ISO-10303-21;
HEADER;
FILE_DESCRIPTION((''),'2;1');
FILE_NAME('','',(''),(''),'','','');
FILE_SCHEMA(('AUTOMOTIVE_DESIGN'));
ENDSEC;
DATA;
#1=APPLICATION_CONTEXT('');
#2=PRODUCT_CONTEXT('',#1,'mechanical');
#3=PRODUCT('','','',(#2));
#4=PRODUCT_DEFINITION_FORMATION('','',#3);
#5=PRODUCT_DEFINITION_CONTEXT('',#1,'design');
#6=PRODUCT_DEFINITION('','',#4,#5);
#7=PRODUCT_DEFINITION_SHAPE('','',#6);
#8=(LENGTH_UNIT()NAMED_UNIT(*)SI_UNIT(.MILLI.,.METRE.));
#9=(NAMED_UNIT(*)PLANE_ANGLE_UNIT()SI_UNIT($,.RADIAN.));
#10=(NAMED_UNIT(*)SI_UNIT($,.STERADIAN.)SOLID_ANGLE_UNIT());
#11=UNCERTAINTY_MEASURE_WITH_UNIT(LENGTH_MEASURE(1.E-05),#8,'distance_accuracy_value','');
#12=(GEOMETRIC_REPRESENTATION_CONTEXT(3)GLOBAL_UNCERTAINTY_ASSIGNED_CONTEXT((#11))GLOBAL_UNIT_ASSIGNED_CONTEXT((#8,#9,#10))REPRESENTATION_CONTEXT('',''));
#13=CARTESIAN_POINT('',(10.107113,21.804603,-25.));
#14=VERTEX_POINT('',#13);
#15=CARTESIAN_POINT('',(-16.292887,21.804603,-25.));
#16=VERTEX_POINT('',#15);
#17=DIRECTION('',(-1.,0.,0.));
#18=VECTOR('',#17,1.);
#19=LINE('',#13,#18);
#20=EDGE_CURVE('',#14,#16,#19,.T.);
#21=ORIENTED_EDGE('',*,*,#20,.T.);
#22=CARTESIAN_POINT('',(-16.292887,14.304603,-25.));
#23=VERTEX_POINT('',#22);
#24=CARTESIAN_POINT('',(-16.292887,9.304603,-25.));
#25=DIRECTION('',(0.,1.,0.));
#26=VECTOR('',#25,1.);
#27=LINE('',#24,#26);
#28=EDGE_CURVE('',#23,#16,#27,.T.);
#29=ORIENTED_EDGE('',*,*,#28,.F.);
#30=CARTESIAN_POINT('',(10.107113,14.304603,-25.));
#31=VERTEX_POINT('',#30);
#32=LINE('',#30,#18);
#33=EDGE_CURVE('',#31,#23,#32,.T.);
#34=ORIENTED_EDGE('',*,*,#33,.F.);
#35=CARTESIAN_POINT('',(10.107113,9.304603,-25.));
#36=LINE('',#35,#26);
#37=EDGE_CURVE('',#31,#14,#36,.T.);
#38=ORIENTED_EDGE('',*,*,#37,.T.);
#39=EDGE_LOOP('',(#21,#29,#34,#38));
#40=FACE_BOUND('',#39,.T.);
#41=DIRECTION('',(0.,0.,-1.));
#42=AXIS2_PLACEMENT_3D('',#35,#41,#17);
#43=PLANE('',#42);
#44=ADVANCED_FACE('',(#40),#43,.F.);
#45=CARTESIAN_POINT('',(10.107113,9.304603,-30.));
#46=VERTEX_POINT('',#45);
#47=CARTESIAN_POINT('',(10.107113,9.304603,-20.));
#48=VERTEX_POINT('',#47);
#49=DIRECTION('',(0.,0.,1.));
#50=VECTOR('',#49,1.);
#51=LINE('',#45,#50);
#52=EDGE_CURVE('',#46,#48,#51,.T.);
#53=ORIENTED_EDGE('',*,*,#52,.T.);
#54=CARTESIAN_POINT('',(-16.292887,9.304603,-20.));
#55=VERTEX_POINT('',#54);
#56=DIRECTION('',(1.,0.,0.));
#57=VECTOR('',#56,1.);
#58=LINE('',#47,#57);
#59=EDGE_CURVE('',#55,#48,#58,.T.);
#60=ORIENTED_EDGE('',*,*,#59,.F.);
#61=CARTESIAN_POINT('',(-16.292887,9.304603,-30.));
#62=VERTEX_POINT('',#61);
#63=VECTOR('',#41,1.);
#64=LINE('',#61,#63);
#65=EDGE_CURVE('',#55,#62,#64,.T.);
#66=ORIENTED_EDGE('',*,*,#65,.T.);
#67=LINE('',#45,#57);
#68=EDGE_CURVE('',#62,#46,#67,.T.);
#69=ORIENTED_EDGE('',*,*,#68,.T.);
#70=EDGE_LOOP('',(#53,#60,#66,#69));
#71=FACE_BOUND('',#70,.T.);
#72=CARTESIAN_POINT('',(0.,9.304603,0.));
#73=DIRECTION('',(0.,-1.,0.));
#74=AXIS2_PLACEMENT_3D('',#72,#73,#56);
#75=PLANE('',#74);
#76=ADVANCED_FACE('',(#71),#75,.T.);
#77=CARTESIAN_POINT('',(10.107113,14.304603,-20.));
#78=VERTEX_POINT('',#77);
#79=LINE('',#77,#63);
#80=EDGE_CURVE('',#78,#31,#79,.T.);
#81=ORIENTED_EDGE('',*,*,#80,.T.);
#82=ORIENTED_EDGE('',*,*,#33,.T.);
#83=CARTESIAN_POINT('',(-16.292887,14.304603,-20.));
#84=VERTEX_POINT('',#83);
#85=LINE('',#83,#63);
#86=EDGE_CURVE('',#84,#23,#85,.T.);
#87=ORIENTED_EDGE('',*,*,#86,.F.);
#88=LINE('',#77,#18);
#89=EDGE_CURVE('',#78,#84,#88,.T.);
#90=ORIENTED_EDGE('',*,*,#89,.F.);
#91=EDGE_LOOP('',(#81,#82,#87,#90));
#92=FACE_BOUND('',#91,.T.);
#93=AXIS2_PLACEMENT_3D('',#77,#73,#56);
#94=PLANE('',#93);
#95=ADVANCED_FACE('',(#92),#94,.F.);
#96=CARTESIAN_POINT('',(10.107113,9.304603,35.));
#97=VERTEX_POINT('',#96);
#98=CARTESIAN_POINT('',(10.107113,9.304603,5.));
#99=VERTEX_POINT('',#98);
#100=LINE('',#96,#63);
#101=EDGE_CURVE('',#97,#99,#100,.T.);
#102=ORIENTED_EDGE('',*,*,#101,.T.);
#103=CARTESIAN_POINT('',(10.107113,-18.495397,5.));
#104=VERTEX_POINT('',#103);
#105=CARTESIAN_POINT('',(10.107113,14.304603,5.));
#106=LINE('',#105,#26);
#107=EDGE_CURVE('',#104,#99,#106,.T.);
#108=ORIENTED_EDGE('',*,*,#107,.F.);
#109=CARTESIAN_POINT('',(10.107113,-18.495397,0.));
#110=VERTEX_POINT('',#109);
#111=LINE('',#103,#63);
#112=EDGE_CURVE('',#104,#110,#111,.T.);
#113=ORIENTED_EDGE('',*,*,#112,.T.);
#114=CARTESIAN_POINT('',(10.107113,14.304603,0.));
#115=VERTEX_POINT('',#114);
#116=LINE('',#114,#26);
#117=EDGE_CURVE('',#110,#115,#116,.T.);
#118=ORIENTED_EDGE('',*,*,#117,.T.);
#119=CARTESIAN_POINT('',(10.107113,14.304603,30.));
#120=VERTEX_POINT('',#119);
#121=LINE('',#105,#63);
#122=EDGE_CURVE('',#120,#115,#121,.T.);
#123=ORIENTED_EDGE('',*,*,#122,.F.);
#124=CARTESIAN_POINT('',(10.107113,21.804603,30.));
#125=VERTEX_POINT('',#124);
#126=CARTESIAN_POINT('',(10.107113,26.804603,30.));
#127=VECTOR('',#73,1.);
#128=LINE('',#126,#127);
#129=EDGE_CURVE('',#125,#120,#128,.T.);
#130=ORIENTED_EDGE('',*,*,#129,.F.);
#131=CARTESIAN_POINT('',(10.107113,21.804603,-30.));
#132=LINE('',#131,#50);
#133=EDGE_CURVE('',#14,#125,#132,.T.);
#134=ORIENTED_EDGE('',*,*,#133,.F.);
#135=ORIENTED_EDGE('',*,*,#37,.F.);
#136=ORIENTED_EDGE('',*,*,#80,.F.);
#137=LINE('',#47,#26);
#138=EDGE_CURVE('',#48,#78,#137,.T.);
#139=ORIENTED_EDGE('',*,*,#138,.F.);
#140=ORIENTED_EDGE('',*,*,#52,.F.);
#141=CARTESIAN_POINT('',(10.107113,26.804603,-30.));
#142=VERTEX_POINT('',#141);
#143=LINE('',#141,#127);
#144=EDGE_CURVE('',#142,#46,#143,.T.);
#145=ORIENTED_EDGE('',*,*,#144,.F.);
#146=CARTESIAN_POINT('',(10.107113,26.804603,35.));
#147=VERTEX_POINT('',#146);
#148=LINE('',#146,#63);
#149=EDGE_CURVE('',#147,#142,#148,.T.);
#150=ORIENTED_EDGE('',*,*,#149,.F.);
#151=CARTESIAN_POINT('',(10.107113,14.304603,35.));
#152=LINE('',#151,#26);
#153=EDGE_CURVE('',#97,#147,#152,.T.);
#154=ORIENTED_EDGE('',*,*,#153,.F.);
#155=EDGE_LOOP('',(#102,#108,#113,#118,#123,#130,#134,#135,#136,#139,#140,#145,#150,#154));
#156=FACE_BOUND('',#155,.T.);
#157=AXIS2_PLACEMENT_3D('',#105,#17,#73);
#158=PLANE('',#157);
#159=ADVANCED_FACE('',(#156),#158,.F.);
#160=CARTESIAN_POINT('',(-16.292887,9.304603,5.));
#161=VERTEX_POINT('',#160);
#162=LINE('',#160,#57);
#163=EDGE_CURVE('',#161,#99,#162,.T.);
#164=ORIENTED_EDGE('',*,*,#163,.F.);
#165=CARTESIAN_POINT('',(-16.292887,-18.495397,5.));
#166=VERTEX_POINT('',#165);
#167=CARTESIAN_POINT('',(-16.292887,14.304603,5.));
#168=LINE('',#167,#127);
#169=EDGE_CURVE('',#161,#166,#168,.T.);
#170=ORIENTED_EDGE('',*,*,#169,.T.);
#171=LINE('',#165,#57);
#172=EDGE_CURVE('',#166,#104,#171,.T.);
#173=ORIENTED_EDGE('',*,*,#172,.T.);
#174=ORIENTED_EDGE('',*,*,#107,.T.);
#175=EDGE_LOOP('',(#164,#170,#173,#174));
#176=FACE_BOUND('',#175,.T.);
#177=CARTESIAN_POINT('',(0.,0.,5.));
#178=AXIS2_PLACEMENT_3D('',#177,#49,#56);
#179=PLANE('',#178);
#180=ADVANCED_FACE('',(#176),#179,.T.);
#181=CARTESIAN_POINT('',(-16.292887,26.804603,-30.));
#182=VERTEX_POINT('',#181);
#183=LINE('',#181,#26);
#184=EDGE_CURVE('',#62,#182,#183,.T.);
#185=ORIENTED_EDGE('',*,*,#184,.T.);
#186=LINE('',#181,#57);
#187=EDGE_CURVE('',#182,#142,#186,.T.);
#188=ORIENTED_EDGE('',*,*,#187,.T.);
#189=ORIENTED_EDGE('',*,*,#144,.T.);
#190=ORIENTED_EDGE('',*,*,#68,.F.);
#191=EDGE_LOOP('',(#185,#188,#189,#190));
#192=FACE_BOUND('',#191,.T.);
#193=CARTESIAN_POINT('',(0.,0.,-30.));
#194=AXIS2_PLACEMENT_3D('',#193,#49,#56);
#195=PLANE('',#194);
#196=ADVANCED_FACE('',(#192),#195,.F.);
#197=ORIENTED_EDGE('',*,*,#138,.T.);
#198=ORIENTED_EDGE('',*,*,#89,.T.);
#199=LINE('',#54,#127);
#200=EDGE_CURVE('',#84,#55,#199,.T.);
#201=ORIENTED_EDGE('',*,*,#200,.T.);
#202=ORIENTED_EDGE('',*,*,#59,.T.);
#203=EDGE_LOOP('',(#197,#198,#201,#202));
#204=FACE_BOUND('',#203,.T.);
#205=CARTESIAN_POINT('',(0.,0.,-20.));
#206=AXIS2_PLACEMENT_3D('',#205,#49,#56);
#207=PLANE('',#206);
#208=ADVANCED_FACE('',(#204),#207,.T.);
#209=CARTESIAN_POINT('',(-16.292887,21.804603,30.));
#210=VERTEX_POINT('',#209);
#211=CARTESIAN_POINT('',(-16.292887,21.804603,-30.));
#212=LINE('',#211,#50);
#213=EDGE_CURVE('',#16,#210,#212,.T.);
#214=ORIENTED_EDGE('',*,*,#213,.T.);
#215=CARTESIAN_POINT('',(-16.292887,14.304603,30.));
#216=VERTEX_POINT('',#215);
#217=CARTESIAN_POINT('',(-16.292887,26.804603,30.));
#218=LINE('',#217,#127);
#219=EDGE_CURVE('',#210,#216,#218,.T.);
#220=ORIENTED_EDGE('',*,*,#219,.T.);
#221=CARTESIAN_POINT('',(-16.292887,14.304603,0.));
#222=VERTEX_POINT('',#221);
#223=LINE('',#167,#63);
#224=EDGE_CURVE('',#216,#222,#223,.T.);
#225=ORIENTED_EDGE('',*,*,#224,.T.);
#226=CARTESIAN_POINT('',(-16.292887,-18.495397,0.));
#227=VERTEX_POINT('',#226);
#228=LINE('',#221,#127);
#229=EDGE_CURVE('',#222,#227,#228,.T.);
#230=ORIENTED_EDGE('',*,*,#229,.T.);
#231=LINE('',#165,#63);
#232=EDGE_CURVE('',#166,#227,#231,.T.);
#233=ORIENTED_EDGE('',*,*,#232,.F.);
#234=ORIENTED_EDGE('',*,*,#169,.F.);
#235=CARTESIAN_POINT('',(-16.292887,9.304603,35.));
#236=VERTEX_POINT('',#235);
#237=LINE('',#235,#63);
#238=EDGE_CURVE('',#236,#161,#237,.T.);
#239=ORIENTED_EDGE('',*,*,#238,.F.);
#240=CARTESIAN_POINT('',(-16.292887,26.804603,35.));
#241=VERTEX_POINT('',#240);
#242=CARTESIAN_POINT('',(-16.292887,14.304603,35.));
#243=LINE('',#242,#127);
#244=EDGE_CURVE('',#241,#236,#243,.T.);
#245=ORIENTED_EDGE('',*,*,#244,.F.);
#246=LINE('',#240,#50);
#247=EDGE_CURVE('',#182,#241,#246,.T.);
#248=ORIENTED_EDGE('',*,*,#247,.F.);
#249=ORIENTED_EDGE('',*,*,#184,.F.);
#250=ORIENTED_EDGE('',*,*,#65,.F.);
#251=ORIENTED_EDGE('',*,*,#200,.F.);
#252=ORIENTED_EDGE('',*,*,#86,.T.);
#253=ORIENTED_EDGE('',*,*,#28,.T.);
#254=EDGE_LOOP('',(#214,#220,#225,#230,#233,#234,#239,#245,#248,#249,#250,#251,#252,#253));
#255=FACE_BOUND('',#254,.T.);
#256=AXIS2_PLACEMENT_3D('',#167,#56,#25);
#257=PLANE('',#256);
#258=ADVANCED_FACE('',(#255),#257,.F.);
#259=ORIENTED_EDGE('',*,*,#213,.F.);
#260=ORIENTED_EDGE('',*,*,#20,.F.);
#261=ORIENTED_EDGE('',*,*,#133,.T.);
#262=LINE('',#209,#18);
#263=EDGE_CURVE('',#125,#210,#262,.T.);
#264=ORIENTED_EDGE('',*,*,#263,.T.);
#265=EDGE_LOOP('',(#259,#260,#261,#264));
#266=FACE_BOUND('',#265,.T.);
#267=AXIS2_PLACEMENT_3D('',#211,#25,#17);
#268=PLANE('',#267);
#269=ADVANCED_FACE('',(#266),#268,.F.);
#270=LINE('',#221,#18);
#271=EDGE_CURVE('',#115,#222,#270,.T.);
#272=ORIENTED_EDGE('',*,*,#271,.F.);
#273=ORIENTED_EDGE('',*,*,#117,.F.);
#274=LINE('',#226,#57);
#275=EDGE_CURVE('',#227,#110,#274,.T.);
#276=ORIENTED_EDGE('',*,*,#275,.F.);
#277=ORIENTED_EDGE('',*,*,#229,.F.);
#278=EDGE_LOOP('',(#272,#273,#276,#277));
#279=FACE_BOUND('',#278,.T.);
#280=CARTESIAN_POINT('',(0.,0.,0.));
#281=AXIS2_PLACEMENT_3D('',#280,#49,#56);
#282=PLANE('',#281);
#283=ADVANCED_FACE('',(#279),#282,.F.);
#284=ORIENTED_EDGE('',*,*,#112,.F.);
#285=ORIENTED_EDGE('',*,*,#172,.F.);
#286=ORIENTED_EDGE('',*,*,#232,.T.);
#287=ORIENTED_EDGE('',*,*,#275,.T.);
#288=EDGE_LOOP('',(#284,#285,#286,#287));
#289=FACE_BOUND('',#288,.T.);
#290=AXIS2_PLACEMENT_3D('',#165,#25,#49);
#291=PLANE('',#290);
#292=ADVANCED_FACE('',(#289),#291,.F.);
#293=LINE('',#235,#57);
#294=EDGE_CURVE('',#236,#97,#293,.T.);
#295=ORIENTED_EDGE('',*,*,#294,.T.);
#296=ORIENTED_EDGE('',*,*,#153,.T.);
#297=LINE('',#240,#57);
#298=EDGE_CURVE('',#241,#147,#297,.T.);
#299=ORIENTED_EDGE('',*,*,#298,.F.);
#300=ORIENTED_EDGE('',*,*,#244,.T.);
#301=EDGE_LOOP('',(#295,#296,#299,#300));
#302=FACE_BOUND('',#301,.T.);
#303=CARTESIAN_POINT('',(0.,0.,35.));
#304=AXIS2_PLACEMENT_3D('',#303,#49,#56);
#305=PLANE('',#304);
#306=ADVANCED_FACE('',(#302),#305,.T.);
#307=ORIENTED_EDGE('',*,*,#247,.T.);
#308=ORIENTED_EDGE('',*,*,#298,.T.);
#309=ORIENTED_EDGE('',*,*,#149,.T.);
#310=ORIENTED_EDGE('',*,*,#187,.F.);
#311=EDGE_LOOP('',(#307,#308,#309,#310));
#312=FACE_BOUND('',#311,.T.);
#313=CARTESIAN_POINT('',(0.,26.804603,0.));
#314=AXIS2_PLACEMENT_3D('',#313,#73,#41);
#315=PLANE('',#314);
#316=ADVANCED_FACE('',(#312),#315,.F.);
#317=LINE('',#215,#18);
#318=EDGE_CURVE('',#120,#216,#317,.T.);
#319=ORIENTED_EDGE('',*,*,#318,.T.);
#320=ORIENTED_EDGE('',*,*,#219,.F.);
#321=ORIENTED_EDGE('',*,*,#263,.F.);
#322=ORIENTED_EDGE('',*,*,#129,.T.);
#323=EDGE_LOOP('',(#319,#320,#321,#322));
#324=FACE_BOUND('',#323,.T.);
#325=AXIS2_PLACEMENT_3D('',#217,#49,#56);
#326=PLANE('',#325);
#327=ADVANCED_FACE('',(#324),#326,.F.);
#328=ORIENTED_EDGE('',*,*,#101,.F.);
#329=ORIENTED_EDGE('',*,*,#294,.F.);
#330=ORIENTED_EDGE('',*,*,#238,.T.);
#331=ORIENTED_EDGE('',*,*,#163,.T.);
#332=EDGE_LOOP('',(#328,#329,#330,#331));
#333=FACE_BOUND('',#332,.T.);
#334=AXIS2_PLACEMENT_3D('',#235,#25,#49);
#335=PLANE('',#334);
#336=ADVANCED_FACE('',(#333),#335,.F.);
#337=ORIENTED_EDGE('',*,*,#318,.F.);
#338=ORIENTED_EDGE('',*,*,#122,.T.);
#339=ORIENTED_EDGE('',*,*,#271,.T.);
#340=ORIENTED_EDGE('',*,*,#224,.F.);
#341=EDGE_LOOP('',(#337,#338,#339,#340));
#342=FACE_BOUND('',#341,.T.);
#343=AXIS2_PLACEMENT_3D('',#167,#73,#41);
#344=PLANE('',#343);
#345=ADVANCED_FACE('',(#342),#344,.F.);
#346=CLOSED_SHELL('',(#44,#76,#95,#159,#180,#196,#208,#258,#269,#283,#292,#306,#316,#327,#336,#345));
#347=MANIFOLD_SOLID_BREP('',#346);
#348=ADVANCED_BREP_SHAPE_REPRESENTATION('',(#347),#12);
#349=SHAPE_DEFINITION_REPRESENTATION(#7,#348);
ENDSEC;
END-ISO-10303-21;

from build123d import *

# Parameters (mm, degrees)
SKETCH1_W           = 26.4
SKETCH1_H           = 32.8
BOSS_EXTRUDE1_DEPTH = 5
SKETCH2_W           = 26.4
SKETCH2_H           = 5
BOSS_EXTRUDE2_DEPTH = 30
SKETCH3_W           = 26.4
SKETCH3_H           = 5
BOSS_EXTRUDE3_DEPTH = 12.5
SKETCH4_W           = 26.4
SKETCH4_H           = 5
BOSS_EXTRUDE4_DEPTH = 60
SKETCH5_W           = 26.4
SKETCH5_H           = 5
BOSS_EXTRUDE5_DEPTH = 12.5
SKETCH6_W           = 26.4
SKETCH6_H           = 5
BOSS_EXTRUDE8_DEPTH = 5


with BuildPart() as part:
    # Sketch1 → Boss-Extrude1 (new body)
    with BuildSketch(Plane.XY):
        with Locations((-3.092887029, -2.09539749)):
            Rectangle(SKETCH1_W, SKETCH1_H)
    extrude(amount=BOSS_EXTRUDE1_DEPTH)

    # Sketch2 → Boss-Extrude2 (add)
    with BuildSketch(Plane.XY.offset(5)):
        with Locations((-3.092887029, 11.80460251)):
            Rectangle(SKETCH2_W, SKETCH2_H)
    extrude(amount=BOSS_EXTRUDE2_DEPTH)

    # Sketch3 → Boss-Extrude3 (add)
    with BuildSketch(Plane(origin=(0, 14.30460251, 0), x_dir=(1, 0, 0), z_dir=(0, 1, 0))):
        with Locations((-3.092887029, -32.5)):
            Rectangle(SKETCH3_W, SKETCH3_H)
    extrude(amount=BOSS_EXTRUDE3_DEPTH)

    # Sketch4 → Boss-Extrude4 (add)
    with BuildSketch(Plane(origin=(0, 0, 30), x_dir=(-1, 0, 0), z_dir=(0, 0, -1))):
        with Locations((3.092887029, 24.30460251)):
            Rectangle(SKETCH4_W, SKETCH4_H)
    extrude(amount=BOSS_EXTRUDE4_DEPTH)

    # Sketch5 → Boss-Extrude5 (add)
    with BuildSketch(Plane.XZ.offset(-21.80460251)):
        with Locations((-3.092887029, -27.5)):
            Rectangle(SKETCH5_W, SKETCH5_H)
    extrude(amount=BOSS_EXTRUDE5_DEPTH)

    # Sketch6 → Boss-Extrude8 (add)
    with BuildSketch(Plane.XY.offset(-25)):
        with Locations((-3.092887029, 11.80460251)):
            Rectangle(SKETCH6_W, SKETCH6_H)
    extrude(amount=BOSS_EXTRUDE8_DEPTH)


solid = part.part
